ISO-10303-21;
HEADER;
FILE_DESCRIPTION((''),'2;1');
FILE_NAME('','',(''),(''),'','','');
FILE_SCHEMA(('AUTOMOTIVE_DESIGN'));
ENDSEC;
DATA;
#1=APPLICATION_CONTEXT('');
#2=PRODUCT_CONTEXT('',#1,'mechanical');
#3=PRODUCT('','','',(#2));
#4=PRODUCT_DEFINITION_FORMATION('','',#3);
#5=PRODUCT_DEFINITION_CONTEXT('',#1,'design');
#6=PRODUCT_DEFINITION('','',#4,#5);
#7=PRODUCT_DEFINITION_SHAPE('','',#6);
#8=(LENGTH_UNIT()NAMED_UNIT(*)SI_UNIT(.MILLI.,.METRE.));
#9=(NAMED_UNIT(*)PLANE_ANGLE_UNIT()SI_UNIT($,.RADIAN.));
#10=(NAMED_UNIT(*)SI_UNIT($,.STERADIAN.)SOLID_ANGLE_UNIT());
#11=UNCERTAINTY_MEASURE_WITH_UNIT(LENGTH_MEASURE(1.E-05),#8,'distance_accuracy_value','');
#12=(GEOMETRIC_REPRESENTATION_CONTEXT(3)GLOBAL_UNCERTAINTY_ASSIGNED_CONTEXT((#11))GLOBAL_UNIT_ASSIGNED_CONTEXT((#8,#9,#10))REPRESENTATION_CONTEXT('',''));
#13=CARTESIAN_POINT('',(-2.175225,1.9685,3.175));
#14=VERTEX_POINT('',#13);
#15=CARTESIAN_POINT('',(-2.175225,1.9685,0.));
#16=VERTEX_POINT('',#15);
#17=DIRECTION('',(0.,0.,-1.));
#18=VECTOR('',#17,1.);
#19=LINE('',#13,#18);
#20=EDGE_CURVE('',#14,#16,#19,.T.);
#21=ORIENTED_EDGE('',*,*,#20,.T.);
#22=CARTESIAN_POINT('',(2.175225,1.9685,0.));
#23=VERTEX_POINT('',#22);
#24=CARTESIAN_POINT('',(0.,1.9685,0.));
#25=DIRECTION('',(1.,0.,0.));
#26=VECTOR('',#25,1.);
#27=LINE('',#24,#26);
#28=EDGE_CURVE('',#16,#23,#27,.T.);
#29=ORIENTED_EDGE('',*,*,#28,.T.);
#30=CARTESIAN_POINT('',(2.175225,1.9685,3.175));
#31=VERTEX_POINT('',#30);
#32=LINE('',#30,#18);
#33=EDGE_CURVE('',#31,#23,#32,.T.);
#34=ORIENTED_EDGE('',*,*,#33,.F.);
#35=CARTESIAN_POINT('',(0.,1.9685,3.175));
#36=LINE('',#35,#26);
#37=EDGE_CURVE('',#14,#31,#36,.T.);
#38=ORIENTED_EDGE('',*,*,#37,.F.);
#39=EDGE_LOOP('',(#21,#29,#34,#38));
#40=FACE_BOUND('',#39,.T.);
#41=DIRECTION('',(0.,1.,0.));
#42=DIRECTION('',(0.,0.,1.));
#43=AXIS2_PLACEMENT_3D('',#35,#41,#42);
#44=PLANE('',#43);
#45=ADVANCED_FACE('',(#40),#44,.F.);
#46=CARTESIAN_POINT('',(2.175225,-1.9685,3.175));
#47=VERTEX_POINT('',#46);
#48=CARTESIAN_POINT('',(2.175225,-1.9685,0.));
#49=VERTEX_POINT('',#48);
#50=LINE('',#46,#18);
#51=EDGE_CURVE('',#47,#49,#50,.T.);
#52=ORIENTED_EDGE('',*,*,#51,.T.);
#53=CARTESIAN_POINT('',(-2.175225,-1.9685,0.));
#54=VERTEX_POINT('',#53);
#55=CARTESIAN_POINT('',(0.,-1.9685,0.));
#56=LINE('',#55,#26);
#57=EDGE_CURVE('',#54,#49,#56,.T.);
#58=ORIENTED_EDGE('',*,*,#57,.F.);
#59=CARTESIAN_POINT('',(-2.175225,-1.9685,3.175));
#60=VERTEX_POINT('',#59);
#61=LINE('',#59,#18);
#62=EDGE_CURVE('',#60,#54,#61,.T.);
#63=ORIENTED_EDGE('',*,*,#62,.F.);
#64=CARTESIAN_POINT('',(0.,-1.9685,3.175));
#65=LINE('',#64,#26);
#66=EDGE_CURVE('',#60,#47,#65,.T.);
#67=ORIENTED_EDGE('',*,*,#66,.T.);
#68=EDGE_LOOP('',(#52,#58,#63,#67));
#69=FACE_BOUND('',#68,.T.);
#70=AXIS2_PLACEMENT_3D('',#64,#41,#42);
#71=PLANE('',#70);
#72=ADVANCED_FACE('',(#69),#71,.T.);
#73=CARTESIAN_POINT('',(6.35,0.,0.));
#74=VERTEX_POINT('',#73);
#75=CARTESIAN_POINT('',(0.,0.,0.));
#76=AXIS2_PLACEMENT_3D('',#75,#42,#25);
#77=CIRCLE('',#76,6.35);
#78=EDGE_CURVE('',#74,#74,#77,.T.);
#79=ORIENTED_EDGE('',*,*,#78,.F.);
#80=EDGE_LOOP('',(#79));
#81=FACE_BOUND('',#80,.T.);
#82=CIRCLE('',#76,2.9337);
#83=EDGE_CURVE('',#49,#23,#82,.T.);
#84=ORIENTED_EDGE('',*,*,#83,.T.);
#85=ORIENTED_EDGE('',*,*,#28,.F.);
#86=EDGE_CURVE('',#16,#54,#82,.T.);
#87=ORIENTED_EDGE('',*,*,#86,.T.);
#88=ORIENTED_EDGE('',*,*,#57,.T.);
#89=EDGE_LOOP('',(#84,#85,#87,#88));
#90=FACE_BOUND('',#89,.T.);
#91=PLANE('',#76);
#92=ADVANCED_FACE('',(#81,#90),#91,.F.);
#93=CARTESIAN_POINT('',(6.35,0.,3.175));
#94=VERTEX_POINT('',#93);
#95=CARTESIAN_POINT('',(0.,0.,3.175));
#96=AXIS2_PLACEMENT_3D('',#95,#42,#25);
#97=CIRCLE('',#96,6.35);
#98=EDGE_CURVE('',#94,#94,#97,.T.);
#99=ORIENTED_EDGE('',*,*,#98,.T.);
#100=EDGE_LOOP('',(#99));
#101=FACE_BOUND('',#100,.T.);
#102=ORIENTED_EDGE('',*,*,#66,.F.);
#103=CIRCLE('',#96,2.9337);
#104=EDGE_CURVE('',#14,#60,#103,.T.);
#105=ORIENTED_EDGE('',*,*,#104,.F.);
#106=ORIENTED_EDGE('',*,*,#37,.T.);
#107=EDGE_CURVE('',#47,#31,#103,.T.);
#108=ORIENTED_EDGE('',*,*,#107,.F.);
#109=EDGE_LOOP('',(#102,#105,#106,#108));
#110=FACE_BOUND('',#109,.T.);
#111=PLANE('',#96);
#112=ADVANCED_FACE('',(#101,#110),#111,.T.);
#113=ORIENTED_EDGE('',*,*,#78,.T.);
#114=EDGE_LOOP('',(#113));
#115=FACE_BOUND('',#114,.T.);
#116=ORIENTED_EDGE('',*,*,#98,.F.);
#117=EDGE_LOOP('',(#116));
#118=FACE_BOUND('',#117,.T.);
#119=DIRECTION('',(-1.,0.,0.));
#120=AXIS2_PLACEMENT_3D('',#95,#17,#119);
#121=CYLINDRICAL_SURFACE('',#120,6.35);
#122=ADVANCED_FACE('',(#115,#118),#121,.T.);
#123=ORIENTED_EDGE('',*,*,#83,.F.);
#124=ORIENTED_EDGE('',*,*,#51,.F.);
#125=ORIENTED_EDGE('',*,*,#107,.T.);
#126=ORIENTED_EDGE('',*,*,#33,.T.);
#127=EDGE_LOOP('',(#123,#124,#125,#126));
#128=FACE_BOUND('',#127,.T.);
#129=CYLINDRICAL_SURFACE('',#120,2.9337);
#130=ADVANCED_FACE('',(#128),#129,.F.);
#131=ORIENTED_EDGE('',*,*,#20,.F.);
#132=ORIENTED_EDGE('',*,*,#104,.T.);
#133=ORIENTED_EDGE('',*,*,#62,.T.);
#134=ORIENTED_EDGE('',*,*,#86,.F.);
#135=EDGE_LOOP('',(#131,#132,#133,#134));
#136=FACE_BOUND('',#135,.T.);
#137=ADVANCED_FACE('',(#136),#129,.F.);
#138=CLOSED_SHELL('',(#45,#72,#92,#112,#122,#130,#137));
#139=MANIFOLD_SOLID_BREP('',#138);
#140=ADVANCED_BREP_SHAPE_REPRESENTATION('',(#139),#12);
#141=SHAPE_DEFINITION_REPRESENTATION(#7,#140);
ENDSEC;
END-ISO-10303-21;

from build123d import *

# Parameters (mm, degrees)
SKETCH1_R           = 6.35
BOSS_EXTRUDE1_DEPTH = 3.175


with BuildPart() as part:
    # Sketch1 → Boss-Extrude1 (new body)
    with BuildSketch(Plane.XY):
        Circle(SKETCH1_R)
        with BuildLine():
            ThreePointArc((-2.175224917, 1.9685), (-2.9337, 0), (-2.175224917, -1.9685))
            Line((-2.175224917, -1.9685), (2.175224917, -1.9685))
            ThreePointArc((2.175224917, -1.9685), (2.9337, 0), (2.175224917, 1.9685))
            Line((2.175224917, 1.9685), (-2.175224917, 1.9685))
        make_face(mode=Mode.SUBTRACT)
    extrude(amount=BOSS_EXTRUDE1_DEPTH)


solid = part.part
